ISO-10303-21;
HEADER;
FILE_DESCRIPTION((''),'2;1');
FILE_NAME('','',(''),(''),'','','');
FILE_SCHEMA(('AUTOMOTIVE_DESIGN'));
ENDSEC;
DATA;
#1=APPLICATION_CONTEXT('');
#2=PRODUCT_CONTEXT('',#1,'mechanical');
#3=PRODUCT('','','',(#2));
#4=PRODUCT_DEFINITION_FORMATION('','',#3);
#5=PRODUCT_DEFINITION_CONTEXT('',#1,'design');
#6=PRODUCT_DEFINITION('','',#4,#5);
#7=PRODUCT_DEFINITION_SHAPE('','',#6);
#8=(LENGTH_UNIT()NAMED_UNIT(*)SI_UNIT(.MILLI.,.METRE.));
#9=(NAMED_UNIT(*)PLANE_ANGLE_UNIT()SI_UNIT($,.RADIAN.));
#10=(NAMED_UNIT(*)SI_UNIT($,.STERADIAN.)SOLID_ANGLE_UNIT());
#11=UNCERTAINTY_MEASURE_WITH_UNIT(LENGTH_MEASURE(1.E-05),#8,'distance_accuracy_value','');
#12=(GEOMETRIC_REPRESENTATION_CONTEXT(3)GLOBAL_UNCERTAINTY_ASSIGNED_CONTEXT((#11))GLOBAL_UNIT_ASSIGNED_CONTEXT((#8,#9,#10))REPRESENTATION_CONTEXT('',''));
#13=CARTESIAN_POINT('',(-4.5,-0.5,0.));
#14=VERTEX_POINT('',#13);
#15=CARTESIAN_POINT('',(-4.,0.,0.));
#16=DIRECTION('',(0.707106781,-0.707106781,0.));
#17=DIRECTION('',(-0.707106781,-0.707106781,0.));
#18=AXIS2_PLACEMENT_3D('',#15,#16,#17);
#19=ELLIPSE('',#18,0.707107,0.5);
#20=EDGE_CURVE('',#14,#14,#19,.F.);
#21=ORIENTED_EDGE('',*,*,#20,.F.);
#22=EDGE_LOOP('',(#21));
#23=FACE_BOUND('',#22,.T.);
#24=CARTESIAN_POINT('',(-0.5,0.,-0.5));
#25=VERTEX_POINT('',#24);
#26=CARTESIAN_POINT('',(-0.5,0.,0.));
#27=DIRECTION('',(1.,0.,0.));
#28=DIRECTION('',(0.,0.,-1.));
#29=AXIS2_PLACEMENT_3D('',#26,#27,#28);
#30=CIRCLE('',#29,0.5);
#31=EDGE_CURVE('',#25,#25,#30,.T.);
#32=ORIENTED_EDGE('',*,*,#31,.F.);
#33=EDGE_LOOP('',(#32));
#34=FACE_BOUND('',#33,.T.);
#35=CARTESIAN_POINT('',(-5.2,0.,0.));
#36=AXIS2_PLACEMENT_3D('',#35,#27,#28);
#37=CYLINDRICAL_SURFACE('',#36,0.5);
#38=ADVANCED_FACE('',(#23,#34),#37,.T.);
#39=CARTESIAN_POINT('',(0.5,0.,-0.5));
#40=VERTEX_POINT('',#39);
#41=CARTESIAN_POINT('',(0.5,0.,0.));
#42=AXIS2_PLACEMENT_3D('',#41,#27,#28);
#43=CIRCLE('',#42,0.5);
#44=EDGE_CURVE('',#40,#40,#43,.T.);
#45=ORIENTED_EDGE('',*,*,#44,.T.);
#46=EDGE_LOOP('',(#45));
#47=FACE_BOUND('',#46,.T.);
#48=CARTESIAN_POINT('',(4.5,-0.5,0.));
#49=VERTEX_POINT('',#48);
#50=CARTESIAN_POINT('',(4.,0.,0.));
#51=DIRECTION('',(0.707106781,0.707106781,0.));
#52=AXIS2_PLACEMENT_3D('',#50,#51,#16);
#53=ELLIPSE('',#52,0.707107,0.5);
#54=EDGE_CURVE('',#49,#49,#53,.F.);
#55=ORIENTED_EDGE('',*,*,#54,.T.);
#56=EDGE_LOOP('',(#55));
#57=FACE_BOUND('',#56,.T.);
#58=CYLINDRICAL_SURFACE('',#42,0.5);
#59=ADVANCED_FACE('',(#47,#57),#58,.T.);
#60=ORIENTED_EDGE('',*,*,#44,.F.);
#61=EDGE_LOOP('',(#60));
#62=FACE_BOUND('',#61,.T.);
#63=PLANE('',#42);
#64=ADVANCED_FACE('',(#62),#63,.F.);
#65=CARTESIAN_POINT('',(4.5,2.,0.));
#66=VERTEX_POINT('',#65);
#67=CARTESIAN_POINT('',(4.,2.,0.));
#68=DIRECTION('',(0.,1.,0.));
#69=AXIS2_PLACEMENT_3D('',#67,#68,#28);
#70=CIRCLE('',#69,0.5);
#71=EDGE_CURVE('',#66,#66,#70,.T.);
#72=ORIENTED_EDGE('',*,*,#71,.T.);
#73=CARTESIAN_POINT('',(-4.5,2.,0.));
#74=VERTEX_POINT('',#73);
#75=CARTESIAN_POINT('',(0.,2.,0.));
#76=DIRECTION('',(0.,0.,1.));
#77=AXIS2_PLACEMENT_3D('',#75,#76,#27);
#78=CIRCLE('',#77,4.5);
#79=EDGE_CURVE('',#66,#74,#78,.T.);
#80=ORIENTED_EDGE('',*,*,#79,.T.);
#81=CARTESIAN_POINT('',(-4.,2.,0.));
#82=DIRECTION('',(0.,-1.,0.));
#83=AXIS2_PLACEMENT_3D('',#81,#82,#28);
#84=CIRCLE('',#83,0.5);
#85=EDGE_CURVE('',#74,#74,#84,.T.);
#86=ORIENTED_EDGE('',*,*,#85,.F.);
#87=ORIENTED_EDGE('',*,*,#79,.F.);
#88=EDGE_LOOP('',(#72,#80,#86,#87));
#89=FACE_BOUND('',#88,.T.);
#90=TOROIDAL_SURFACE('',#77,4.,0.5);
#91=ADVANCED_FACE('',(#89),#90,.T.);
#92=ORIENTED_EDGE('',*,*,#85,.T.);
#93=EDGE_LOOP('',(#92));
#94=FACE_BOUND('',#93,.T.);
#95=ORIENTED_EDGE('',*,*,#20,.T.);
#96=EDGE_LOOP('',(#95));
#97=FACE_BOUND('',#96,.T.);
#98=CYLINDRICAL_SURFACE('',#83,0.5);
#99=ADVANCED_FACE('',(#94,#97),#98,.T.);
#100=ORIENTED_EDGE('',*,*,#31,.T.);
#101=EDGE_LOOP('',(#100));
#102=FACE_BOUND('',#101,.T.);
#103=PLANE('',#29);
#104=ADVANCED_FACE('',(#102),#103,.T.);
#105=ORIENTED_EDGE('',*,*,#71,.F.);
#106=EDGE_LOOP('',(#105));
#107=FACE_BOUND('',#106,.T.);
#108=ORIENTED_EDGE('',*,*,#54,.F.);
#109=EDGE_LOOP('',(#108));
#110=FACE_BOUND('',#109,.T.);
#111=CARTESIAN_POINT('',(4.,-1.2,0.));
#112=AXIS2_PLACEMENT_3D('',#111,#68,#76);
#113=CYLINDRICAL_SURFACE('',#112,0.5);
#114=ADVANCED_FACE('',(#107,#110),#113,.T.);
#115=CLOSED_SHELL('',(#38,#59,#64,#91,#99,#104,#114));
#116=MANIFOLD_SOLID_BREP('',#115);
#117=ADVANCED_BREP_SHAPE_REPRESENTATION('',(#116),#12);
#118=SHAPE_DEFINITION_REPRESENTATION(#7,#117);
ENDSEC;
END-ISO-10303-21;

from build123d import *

# Parameters (mm, degrees)
SKETCH_2_R = 0.5


with BuildPart() as part:
    # 扫描1: sweep along a path in 草图1
    with BuildLine(Plane.XY) as sweep_1_path:
        Line((-0.5, 0), (-4, 0))
        Line((-4, 0), (-4, 2))
        ThreePointArc((-4, 2), (0, 6), (4, 2))
        Line((4, 2), (4, 0))
        Line((4, 0), (0.5, 0))
    # 草图2 → 扫描1 (sweep)
    with BuildSketch(Plane(origin=(-0.5, 0, 0), x_dir=(0, 0, -1), z_dir=(1, 0, 0))):
        Circle(SKETCH_2_R)
    sweep(path=sweep_1_path.line, transition=Transition.RIGHT)


solid = part.part
